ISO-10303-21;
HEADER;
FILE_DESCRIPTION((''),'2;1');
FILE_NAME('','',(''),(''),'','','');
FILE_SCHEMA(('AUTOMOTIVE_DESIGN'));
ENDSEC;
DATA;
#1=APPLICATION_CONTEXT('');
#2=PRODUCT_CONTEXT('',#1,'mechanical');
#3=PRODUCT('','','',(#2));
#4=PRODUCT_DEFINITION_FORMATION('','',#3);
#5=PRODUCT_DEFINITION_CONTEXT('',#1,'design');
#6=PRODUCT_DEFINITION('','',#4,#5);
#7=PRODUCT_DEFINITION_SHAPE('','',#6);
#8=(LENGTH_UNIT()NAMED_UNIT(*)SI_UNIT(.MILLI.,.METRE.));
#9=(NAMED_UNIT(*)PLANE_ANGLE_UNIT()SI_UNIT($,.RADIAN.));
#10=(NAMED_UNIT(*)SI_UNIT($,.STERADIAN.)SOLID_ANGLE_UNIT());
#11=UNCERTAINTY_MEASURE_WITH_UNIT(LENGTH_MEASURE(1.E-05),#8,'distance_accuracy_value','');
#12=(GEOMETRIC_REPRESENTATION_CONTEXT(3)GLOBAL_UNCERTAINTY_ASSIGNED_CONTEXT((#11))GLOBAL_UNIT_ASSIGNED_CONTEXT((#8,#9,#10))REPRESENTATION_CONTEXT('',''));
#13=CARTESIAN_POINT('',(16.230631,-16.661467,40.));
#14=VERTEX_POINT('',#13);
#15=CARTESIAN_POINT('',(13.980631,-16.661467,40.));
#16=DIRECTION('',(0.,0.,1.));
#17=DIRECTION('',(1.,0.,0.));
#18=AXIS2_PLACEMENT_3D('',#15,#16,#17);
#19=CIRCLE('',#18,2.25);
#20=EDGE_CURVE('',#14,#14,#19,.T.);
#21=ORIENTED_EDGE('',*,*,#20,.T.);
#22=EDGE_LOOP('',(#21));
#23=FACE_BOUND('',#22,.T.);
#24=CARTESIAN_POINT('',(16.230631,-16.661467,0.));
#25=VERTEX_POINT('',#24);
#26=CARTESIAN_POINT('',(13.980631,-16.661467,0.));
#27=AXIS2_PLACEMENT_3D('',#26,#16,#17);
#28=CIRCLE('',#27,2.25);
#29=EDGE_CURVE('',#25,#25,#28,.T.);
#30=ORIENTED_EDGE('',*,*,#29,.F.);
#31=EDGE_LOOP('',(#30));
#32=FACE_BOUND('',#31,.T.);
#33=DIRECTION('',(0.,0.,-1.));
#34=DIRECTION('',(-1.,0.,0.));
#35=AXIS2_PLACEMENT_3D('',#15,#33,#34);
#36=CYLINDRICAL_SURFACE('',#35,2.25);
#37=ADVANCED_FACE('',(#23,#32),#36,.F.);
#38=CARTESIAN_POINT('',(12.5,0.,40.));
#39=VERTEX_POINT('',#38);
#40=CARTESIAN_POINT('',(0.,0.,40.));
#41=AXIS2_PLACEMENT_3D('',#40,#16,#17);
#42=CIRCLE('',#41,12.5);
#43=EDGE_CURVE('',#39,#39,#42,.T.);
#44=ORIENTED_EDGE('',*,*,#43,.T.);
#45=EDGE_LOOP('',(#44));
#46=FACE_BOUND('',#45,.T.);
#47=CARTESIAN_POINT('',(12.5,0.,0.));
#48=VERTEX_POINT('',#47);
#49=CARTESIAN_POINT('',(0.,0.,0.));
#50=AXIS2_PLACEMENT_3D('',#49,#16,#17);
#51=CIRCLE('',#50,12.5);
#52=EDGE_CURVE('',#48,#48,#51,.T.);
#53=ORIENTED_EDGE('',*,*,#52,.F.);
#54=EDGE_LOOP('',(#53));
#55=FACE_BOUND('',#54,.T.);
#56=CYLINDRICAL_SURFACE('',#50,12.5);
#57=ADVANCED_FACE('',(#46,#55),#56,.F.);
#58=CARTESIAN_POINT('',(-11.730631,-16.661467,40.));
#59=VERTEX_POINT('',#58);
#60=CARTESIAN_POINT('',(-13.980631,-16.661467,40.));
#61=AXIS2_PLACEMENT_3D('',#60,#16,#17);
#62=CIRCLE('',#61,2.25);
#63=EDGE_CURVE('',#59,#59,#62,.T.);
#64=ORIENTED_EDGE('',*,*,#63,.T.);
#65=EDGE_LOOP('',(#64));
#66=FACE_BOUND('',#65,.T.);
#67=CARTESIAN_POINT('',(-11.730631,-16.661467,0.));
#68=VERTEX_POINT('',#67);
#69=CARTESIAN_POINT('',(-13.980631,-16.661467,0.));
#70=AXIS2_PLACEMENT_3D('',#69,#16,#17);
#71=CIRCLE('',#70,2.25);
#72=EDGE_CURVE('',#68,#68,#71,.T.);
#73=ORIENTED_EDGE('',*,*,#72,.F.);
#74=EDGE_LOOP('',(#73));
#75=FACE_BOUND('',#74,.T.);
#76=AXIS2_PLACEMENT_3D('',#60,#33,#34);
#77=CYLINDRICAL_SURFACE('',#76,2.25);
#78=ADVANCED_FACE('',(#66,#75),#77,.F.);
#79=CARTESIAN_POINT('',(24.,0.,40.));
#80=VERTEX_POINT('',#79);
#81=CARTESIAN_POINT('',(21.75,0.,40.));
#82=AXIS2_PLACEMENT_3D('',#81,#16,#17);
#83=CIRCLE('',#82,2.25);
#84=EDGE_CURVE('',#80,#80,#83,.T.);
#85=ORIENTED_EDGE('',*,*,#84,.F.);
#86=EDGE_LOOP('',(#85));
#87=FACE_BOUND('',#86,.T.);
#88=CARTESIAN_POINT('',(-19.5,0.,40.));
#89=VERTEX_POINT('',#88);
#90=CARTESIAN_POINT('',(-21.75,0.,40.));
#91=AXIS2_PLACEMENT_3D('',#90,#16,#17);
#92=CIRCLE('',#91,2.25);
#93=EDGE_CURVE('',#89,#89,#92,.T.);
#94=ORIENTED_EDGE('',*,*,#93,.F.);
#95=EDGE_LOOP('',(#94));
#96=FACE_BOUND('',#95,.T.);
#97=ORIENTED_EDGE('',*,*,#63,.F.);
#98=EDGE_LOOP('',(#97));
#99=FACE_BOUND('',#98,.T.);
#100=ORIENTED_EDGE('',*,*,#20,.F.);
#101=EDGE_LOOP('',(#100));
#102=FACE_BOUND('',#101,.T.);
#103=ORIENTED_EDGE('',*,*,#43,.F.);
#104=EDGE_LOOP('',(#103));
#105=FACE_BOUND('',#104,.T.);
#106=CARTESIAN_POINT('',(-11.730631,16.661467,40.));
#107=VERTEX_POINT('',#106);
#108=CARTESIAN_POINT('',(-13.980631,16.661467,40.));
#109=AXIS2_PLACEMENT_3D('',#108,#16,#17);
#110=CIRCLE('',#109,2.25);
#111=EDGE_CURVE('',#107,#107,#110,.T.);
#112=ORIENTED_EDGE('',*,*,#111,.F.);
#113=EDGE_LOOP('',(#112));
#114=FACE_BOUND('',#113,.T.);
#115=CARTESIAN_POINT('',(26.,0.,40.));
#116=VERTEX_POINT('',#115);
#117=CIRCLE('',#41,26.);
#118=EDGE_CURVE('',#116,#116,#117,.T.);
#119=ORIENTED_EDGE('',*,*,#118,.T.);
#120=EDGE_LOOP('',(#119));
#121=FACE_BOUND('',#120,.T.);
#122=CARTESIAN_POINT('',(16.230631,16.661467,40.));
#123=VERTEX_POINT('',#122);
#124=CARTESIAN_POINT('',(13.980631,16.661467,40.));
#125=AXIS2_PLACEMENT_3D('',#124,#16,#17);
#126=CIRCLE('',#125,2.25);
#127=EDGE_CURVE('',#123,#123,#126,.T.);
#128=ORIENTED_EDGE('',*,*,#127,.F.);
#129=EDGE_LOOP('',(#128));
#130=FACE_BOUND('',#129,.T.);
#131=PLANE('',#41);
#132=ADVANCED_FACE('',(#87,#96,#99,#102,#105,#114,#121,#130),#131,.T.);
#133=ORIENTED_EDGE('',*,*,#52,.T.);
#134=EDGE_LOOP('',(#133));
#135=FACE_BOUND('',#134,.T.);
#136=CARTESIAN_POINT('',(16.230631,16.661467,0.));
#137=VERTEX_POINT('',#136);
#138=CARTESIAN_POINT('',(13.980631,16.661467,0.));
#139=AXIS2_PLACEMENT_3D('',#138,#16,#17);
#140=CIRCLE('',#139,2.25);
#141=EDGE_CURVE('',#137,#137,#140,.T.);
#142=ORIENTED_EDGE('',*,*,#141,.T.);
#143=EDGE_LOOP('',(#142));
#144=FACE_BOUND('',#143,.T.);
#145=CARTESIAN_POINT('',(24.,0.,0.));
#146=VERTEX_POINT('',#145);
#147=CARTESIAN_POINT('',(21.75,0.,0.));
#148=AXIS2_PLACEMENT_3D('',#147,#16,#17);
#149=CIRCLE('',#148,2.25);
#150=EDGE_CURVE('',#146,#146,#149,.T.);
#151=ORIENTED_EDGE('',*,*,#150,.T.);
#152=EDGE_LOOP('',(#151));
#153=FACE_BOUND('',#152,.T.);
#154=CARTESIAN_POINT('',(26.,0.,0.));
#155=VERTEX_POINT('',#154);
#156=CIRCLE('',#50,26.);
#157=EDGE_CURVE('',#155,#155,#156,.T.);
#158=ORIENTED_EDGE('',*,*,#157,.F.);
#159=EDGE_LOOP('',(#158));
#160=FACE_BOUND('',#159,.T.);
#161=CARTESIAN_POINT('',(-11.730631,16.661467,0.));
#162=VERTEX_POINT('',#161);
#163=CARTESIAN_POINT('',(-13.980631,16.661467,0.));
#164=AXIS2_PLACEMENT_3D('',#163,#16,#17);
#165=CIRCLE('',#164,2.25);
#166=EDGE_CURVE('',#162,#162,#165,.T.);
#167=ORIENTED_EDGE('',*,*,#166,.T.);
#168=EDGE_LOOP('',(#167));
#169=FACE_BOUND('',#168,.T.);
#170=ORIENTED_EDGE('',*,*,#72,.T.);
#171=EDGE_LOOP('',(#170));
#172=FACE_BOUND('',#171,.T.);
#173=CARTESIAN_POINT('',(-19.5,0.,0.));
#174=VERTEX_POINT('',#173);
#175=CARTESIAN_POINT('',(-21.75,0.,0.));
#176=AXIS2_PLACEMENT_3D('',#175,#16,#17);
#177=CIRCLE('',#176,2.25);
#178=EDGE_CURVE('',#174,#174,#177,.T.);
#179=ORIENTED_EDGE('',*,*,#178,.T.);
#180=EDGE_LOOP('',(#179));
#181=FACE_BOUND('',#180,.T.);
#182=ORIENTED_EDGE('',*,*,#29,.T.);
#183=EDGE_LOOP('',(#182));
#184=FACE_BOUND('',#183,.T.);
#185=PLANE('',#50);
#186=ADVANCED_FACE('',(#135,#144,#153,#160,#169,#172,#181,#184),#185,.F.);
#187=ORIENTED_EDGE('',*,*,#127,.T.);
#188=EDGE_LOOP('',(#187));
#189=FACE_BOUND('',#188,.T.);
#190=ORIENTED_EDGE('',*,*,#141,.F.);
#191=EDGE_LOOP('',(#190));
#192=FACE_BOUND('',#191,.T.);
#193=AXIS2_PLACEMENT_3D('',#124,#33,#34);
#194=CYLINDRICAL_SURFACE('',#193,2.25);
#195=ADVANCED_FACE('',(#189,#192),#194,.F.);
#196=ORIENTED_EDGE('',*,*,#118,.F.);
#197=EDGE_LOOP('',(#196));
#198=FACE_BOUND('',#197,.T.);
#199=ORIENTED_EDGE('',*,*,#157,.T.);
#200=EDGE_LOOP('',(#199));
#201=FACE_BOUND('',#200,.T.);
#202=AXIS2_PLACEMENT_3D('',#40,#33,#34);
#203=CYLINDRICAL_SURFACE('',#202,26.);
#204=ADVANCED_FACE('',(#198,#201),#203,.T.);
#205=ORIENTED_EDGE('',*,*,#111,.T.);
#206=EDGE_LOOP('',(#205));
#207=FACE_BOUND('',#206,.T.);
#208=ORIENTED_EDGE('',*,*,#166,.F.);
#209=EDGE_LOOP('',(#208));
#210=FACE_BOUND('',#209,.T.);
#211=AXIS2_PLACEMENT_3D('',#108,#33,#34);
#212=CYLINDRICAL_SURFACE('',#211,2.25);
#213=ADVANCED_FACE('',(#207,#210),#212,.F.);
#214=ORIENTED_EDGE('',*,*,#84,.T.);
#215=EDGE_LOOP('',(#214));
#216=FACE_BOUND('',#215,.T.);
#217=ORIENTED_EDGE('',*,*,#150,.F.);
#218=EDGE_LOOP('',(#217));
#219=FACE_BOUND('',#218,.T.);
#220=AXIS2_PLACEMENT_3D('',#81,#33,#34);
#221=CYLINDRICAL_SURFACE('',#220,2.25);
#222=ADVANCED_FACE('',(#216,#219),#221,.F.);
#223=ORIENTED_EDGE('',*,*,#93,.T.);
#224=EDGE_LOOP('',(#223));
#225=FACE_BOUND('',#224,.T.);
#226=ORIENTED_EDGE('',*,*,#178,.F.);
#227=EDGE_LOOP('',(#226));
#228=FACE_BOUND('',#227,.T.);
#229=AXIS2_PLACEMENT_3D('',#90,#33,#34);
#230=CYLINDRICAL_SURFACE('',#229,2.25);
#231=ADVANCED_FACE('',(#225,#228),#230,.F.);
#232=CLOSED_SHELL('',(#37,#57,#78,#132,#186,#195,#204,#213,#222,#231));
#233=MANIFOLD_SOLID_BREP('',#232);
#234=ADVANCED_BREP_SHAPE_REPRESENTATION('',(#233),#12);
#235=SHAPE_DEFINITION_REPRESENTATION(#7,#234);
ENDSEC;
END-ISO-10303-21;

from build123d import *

# Parameters (mm, degrees)
SKETCH_1_R          = 26
SKETCH_1_R_2        = 2.25
EXTRUDE_1_DEPTH     = 40
SKETCH_2_R          = 12.5
CUT_EXTRUDE_1_DEPTH = 55.332310829


with BuildPart() as part:
    # 草图1 → 凸台-拉伸1 (new body)
    with BuildSketch(Plane.XY):
        Circle(SKETCH_1_R)
        with Locations((-21.75, 0)):
            Circle(SKETCH_1_R_2, mode=Mode.SUBTRACT)
        with Locations((-13.980630511, 16.661466638)):
            Circle(SKETCH_1_R_2, mode=Mode.SUBTRACT)
        with Locations((-13.980630511, -16.661466638)):
            Circle(SKETCH_1_R_2, mode=Mode.SUBTRACT)
        with Locations((13.980630511, -16.661466638)):
            Circle(SKETCH_1_R_2, mode=Mode.SUBTRACT)
        with Locations((21.75, 0)):
            Circle(SKETCH_1_R_2, mode=Mode.SUBTRACT)
        with Locations((13.980630511, 16.661466638)):
            Circle(SKETCH_1_R_2, mode=Mode.SUBTRACT)
    extrude(amount=EXTRUDE_1_DEPTH)

    # 草图2 → 切除-拉伸1 (cut, through all)
    with BuildSketch(Plane.XY.offset(40)):
        Circle(SKETCH_2_R)
    extrude(amount=-CUT_EXTRUDE_1_DEPTH, mode=Mode.SUBTRACT)


solid = part.part
